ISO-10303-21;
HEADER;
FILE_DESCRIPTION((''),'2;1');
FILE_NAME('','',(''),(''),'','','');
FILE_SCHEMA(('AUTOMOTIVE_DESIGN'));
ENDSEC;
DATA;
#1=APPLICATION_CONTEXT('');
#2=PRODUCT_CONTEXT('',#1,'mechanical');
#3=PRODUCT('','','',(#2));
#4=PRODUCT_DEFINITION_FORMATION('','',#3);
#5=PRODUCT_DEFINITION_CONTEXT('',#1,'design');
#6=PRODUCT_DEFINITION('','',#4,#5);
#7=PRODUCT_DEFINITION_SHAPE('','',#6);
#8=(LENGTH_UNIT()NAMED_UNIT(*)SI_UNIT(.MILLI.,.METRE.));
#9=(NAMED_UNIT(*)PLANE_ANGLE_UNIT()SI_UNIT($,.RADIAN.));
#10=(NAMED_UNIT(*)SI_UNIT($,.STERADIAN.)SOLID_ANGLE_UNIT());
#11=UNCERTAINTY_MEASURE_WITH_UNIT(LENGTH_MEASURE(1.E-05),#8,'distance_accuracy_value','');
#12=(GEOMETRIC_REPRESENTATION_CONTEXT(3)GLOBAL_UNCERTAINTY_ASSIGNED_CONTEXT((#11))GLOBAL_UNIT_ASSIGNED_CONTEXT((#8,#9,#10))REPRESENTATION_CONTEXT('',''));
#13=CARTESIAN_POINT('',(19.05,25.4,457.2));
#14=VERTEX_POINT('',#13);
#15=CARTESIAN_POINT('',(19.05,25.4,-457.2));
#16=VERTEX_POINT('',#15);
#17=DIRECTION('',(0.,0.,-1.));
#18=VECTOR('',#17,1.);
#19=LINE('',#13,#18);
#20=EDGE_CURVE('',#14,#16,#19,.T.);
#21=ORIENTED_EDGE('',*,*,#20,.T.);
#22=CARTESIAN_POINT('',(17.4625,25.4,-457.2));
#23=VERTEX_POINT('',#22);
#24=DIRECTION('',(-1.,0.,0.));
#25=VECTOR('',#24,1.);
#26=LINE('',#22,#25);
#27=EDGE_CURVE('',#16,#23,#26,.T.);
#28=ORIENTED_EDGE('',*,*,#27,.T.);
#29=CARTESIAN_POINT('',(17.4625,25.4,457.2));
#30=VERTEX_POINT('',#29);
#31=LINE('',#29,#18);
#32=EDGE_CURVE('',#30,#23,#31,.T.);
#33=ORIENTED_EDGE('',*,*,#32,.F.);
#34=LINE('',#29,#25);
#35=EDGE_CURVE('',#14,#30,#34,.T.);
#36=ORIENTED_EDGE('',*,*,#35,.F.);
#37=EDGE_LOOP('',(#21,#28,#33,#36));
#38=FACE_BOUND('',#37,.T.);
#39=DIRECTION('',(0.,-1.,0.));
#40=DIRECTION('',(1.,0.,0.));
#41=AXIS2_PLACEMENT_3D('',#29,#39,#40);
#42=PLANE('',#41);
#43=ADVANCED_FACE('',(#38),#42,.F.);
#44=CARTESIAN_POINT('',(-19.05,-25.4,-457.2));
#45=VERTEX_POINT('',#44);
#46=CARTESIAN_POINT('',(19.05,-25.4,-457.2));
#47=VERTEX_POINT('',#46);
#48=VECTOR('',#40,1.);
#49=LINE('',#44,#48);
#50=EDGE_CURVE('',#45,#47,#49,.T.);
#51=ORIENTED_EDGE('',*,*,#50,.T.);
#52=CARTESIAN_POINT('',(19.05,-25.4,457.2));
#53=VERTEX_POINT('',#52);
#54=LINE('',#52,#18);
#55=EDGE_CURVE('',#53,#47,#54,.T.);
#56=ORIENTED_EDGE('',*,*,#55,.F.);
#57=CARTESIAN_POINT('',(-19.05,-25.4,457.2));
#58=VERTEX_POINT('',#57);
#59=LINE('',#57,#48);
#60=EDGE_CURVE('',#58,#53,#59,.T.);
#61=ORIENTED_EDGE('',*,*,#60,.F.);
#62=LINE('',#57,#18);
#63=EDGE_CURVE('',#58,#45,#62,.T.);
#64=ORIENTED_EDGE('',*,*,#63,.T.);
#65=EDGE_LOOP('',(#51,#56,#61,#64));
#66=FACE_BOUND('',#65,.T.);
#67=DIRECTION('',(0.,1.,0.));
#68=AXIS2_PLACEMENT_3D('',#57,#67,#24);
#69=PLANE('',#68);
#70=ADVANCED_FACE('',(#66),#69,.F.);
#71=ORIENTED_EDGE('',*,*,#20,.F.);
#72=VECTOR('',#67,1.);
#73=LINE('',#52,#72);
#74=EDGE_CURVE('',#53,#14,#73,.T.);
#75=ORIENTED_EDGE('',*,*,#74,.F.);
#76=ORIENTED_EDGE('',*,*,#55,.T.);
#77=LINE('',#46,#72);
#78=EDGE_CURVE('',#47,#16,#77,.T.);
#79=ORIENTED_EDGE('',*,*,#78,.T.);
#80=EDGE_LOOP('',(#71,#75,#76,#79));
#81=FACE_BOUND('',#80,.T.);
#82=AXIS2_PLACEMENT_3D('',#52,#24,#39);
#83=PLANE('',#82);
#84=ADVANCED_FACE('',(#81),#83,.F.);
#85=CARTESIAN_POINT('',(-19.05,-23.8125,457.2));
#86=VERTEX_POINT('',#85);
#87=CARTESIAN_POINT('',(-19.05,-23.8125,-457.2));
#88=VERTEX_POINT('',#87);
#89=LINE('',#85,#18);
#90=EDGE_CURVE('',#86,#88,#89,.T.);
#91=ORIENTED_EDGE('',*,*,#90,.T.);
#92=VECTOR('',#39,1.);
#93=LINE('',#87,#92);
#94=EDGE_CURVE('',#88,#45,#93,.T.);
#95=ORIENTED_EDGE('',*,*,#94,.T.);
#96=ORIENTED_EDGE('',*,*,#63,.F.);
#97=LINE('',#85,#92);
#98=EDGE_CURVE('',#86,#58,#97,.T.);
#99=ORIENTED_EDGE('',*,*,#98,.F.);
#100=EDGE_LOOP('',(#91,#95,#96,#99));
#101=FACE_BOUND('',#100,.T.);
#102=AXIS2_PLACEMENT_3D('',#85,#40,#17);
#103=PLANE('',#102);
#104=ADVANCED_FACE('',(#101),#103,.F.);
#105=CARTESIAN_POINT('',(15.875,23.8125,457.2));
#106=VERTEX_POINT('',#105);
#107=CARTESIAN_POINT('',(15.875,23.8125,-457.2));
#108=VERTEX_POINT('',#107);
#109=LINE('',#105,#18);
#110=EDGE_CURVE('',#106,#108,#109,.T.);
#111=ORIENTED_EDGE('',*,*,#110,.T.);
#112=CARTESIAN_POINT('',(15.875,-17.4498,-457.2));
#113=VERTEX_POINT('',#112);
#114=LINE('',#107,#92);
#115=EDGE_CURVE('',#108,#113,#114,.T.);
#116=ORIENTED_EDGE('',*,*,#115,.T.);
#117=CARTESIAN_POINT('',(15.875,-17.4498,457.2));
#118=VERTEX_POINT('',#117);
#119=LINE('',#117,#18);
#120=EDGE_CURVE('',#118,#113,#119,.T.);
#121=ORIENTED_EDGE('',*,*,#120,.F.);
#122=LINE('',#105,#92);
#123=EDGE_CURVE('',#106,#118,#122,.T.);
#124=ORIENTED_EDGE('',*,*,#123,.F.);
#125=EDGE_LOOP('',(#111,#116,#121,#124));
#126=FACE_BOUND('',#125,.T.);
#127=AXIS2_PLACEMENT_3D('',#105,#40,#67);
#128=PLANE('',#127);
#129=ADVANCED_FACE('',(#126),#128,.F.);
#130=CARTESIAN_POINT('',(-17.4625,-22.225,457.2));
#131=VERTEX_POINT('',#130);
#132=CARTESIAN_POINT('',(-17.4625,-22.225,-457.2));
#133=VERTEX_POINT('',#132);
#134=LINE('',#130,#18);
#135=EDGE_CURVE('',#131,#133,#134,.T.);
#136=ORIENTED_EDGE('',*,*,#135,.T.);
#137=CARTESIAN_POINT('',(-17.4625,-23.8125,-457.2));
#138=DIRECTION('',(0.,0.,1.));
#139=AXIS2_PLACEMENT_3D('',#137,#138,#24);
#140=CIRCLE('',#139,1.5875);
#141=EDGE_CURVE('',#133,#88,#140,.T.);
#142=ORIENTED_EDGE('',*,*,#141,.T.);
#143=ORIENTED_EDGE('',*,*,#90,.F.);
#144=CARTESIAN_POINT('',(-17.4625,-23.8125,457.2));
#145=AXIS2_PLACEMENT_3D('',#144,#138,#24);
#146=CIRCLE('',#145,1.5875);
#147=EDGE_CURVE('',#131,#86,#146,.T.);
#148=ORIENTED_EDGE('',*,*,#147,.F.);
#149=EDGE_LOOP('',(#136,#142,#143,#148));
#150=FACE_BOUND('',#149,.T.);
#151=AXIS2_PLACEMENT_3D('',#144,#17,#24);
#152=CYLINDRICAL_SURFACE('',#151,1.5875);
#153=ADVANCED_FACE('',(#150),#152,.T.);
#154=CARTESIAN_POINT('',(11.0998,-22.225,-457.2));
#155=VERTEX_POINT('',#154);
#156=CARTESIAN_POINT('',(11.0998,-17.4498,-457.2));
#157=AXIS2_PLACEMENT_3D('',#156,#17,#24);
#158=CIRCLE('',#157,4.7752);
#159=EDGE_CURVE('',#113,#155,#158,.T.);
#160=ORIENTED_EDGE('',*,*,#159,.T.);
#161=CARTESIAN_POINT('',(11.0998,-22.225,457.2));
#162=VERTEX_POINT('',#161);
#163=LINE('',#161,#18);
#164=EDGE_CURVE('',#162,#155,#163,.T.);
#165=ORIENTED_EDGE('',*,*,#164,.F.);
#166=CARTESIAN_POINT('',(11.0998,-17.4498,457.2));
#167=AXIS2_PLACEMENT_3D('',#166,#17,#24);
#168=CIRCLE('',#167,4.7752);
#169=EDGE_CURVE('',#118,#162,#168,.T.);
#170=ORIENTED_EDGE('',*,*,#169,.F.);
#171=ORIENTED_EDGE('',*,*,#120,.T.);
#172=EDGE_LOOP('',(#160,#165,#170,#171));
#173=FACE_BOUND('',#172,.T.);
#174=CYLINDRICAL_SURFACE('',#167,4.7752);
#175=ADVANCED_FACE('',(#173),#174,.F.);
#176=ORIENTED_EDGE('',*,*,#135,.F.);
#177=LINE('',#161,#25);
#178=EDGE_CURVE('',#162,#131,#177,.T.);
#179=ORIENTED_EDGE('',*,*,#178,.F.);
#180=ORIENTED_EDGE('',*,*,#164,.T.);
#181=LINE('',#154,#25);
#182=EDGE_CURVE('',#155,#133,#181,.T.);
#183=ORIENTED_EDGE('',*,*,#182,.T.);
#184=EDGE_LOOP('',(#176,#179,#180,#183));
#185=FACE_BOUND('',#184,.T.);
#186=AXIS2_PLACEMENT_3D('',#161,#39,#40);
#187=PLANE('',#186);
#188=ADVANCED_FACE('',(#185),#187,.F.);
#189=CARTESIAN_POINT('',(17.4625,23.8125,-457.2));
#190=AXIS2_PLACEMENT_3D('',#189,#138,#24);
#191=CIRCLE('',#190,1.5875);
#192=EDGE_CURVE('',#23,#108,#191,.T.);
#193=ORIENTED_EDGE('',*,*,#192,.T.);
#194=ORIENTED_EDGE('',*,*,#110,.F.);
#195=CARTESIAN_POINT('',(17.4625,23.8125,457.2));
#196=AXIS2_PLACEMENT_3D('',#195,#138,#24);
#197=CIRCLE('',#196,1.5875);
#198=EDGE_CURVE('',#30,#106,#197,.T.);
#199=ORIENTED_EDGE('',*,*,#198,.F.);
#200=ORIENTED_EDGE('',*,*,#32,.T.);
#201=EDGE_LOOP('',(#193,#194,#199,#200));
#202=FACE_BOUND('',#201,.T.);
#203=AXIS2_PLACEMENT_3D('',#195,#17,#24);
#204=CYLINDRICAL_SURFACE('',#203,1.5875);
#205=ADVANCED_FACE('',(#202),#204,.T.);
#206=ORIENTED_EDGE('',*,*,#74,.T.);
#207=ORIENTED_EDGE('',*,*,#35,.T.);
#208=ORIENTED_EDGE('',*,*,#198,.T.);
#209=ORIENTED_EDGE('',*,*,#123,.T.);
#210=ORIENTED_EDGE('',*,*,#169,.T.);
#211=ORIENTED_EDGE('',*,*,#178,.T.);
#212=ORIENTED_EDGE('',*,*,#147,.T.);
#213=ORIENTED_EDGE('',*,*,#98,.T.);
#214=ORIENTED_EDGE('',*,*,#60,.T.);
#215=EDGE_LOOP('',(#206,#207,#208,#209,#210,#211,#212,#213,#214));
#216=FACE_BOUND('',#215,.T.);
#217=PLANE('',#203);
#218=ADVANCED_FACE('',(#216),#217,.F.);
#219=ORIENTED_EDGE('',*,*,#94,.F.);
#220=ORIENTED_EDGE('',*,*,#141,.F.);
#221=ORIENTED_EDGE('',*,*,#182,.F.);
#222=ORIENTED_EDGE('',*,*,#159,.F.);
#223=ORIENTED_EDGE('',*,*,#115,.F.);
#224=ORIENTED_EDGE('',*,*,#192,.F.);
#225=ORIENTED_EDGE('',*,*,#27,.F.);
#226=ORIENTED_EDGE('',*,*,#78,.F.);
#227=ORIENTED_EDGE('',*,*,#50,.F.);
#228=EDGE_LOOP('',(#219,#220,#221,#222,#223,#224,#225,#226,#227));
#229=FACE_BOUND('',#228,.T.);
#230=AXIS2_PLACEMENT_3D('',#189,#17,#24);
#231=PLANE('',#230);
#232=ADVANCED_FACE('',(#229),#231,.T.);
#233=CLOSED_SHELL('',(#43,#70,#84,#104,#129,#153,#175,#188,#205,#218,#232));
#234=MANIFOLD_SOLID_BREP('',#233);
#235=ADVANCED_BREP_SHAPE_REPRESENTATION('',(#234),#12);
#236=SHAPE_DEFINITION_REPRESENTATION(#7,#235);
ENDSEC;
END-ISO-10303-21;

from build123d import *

# Parameters (mm, degrees)
BOSS_EXTRUDE1_DEPTH = 457.2


with BuildPart() as part:
    # Sketch2 → Boss-Extrude1 (new, symmetric)
    with BuildSketch(Plane.XY):
        with BuildLine():
            Line((-19.05, -25.4), (19.05, -25.4))
            Line((19.05, -25.4), (19.05, 25.4))
            Line((19.05, 25.4), (17.4625, 25.4))
            ThreePointArc((17.4625, 25.4), (16.339967985, 24.935032015), (15.875, 23.8125))
            Line((15.875, 23.8125), (15.875, -17.4498))
            ThreePointArc((15.875, -17.4498), (14.476376302, -20.826376302), (11.0998, -22.225))
            Line((11.0998, -22.225), (-17.4625, -22.225))
            ThreePointArc((-17.4625, -22.225), (-18.585032015, -22.689967985), (-19.05, -23.8125))
            Line((-19.05, -23.8125), (-19.05, -25.4))
        make_face()
    extrude(amount=BOSS_EXTRUDE1_DEPTH, both=True)


solid = part.part
